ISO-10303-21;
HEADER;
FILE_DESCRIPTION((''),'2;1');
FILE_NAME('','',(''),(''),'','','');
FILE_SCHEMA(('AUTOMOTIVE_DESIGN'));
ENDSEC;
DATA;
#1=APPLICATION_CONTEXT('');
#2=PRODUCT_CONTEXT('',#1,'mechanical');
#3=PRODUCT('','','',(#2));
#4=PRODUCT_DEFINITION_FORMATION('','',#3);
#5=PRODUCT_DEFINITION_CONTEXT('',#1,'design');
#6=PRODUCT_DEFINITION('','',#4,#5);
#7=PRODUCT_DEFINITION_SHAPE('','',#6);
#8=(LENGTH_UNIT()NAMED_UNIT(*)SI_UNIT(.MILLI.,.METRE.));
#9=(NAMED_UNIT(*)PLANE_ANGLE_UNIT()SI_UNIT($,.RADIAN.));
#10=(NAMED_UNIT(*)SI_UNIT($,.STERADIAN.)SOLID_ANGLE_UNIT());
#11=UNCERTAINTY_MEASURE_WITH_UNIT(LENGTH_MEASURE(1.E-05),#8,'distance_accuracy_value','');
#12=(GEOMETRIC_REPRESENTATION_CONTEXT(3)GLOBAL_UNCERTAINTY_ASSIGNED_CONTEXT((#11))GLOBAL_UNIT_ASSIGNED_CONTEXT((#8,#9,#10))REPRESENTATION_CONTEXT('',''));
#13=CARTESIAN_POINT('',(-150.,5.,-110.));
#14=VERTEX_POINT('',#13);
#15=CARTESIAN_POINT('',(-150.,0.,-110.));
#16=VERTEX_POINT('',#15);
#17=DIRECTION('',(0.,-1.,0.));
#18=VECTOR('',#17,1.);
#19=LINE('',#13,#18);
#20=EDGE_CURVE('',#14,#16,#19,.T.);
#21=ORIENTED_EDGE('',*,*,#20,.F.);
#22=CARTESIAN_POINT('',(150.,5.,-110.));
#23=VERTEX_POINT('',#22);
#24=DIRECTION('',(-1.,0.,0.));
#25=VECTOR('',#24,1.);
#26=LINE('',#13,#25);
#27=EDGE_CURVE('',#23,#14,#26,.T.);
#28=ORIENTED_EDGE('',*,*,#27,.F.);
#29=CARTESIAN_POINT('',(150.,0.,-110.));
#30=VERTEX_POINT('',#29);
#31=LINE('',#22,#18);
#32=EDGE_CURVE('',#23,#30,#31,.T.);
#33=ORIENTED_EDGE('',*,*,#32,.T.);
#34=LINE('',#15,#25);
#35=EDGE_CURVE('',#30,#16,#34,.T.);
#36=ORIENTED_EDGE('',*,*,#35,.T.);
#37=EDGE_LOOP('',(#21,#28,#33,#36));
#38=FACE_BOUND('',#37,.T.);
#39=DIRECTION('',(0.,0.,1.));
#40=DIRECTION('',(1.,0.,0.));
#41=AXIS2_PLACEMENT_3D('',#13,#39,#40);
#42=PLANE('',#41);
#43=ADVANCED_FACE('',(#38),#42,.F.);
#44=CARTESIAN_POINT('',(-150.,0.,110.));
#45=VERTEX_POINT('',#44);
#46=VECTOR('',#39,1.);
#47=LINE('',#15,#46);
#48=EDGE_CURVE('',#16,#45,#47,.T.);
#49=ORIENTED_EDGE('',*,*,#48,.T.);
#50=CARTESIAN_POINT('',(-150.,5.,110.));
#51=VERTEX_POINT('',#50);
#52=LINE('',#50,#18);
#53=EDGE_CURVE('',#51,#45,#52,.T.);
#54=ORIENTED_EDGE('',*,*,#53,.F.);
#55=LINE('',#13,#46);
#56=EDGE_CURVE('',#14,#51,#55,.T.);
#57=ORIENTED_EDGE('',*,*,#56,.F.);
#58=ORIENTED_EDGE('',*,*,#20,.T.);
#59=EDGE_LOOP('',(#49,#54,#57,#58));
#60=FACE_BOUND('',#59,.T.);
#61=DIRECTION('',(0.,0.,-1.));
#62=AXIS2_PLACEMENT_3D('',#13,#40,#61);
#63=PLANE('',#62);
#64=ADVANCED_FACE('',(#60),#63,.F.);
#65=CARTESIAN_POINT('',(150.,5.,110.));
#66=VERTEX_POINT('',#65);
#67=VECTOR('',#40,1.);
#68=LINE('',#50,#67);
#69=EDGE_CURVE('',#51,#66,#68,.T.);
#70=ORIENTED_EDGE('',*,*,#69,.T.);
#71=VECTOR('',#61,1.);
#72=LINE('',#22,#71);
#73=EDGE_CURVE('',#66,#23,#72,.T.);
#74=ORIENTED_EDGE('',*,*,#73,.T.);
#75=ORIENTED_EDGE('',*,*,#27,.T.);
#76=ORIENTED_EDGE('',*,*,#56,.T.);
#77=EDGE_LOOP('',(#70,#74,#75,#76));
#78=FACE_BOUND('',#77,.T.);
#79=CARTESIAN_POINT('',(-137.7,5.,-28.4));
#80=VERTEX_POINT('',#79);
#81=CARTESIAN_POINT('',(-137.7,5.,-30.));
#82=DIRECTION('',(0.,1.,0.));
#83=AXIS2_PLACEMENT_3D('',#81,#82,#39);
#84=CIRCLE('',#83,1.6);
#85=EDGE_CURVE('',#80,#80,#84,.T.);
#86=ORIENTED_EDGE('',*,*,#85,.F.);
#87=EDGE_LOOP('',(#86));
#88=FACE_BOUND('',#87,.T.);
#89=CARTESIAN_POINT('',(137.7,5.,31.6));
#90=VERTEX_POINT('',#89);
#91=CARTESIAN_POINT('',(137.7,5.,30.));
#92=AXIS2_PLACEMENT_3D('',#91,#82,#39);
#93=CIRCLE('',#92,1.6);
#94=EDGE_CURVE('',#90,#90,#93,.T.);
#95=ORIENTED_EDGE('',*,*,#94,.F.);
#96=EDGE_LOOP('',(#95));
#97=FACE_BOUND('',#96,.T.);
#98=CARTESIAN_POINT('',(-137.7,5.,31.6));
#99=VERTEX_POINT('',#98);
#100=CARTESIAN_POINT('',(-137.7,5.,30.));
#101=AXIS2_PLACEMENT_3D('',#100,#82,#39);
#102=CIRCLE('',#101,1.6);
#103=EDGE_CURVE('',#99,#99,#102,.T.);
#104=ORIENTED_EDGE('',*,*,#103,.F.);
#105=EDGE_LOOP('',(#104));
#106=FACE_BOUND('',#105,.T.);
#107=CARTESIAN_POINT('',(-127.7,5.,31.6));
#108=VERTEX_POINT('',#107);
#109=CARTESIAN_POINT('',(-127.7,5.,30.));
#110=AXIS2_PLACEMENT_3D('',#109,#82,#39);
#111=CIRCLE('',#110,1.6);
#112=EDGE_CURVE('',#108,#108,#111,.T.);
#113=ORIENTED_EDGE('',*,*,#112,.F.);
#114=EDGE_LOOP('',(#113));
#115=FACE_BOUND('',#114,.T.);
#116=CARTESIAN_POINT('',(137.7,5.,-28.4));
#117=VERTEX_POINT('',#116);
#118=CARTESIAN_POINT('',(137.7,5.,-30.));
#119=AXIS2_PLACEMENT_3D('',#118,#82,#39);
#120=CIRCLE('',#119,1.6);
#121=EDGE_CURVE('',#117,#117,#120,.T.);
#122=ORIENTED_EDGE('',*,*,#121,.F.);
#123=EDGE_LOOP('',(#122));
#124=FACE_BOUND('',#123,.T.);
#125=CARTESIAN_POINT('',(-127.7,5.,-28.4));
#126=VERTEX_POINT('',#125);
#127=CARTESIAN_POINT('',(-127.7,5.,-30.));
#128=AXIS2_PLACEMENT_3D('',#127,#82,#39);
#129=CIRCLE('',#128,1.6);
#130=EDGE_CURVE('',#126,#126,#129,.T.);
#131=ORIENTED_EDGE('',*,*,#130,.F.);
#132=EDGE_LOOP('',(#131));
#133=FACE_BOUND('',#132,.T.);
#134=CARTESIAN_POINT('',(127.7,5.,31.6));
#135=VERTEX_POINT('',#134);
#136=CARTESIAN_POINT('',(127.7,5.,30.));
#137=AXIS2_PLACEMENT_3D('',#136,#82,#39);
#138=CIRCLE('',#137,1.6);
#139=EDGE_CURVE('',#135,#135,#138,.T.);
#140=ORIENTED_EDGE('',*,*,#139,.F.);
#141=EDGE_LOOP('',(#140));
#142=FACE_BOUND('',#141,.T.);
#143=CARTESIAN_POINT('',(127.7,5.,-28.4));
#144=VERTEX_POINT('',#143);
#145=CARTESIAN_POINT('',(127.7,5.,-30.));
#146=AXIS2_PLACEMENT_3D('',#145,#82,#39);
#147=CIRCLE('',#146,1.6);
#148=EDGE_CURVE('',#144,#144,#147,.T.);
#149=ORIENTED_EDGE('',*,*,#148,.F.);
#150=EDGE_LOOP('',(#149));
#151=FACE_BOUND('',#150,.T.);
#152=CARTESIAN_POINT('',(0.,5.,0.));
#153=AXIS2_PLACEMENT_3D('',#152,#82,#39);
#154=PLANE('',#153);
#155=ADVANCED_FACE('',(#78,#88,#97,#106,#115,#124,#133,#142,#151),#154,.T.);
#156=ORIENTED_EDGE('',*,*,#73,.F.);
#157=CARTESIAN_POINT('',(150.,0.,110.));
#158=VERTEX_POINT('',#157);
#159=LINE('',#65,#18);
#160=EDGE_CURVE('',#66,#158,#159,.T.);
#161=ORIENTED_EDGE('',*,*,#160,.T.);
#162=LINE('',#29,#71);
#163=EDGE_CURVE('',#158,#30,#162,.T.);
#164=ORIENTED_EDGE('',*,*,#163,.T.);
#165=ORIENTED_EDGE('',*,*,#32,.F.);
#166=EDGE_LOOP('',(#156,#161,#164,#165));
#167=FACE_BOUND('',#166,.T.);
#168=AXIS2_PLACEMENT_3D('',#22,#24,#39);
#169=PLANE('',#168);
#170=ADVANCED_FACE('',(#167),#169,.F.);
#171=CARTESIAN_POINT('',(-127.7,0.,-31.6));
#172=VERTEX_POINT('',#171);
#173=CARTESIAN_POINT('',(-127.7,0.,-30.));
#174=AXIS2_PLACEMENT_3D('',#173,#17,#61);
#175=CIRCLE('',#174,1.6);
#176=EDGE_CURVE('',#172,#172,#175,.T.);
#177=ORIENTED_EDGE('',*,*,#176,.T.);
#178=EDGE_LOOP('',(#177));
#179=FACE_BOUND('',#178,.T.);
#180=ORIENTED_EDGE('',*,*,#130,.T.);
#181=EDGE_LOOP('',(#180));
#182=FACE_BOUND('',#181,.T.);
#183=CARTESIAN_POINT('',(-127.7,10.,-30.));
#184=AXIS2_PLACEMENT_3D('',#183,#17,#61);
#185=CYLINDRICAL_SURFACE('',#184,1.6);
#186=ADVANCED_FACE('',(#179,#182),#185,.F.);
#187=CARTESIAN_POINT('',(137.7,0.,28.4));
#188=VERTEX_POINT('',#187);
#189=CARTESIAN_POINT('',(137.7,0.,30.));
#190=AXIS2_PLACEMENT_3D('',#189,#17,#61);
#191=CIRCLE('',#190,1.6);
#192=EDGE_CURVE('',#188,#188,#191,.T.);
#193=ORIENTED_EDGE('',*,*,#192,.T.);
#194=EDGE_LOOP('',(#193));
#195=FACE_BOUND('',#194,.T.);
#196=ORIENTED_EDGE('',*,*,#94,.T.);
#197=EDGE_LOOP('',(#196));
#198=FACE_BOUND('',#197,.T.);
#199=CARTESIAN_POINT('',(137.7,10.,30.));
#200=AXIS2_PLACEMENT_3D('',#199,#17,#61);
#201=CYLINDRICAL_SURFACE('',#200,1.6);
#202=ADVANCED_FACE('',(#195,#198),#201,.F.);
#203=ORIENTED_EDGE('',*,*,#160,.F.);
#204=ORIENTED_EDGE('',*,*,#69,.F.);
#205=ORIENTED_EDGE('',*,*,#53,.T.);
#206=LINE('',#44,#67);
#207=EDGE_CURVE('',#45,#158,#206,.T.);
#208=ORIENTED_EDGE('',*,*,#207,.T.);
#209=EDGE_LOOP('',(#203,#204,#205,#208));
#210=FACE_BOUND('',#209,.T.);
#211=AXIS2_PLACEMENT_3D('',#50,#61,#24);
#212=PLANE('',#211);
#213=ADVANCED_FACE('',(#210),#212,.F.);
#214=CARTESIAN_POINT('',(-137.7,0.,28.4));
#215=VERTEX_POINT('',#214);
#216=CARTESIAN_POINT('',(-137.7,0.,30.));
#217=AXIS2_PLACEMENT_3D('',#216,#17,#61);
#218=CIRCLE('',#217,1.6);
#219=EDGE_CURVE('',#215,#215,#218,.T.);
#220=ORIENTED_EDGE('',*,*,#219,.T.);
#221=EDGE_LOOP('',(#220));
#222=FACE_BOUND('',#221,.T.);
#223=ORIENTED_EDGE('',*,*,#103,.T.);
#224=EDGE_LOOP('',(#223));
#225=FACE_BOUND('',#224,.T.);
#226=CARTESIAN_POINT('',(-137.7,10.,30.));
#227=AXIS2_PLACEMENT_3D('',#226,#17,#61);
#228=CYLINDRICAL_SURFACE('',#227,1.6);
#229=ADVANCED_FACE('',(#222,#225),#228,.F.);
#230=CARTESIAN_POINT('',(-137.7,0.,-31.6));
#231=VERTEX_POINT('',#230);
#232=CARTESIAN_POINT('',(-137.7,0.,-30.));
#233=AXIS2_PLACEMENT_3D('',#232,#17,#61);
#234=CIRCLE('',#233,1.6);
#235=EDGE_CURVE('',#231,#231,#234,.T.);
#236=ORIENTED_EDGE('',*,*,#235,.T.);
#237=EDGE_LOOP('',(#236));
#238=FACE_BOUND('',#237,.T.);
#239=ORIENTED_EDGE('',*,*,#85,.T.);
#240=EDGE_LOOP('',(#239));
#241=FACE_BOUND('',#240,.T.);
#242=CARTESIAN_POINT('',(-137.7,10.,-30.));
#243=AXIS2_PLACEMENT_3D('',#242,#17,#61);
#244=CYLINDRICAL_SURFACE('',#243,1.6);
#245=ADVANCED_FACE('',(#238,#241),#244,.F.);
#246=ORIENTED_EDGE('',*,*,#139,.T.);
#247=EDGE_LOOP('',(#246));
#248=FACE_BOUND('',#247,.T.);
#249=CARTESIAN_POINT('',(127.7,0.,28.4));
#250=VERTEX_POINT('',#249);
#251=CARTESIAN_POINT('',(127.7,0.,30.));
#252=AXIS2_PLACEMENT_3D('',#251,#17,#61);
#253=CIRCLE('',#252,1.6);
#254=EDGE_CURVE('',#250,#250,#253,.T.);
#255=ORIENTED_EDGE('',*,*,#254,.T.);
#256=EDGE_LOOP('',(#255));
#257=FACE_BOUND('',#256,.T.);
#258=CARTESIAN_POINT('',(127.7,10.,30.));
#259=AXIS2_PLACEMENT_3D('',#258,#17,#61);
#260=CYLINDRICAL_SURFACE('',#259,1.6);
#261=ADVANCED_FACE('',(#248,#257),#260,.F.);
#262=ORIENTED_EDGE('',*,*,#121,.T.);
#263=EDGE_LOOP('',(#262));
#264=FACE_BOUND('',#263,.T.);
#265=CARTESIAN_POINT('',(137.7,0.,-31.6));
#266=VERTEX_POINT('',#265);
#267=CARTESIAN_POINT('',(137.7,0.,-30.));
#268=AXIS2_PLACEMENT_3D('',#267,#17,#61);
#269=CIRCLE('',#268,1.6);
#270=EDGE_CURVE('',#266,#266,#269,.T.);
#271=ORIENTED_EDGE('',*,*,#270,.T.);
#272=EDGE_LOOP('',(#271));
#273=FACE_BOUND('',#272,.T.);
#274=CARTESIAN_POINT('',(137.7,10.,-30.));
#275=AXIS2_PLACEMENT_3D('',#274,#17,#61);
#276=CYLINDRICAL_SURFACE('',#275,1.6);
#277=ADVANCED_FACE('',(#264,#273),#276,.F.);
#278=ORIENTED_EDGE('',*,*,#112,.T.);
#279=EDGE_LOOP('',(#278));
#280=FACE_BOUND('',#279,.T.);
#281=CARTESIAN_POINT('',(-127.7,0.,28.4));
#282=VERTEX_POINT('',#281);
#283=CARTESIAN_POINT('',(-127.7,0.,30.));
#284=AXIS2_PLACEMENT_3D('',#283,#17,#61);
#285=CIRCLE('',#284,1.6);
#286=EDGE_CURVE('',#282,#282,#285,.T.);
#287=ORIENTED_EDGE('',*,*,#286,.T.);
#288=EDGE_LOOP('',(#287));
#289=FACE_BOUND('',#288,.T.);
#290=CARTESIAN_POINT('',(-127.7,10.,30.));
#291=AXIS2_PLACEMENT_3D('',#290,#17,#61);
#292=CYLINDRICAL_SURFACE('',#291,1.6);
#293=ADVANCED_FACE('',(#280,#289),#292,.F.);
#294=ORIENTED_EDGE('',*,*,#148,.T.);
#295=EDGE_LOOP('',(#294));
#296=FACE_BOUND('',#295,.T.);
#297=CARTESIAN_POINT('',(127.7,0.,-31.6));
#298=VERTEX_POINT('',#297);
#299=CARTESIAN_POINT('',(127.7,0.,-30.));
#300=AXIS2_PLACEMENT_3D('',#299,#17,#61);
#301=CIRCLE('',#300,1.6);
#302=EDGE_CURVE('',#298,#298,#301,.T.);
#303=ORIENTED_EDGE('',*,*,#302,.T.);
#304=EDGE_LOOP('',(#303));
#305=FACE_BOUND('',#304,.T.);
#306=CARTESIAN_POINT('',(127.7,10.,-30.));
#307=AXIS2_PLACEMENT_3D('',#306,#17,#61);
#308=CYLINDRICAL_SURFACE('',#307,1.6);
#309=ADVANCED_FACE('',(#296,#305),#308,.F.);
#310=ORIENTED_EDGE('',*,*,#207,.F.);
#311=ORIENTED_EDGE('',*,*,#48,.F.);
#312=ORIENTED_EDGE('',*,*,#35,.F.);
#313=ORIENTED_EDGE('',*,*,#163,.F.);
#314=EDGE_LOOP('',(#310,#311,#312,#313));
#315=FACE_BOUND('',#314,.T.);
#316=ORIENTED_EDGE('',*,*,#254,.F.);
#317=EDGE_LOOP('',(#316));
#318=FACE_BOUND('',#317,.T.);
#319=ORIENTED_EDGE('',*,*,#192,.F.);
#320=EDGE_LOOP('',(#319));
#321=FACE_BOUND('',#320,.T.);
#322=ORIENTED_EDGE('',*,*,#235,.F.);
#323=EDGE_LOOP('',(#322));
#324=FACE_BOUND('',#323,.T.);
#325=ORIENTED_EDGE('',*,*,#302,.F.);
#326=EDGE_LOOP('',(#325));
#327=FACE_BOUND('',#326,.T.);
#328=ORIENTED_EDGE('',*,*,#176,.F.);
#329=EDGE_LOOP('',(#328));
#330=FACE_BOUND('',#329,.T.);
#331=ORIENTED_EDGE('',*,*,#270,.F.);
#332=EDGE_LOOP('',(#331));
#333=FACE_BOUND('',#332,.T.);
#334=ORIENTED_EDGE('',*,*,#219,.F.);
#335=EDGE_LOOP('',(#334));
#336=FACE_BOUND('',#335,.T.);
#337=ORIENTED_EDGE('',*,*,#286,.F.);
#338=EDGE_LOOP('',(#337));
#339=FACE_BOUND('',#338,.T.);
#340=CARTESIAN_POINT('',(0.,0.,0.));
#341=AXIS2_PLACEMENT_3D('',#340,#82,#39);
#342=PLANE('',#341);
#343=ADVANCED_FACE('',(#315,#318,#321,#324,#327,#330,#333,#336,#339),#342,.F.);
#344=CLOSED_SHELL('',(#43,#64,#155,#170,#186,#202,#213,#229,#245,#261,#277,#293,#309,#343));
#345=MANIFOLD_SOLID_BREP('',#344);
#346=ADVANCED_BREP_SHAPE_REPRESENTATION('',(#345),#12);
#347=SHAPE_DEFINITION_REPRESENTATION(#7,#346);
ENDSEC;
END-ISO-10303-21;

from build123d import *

# Parameters (mm, degrees)
SKETCH1_W           = 300
SKETCH1_H           = 220
BOSS_EXTRUDE1_DEPTH = 5
SKETCH2_R           = 1.6
CUT_EXTRUDE1_DEPTH  = 10


with BuildPart() as part:
    # Sketch1 → Boss-Extrude1 (new body)
    with BuildSketch(Plane(origin=(0, 0, 0), x_dir=(1, 0, 0), z_dir=(0, 1, 0))):
        Rectangle(SKETCH1_W, SKETCH1_H)
    extrude(amount=BOSS_EXTRUDE1_DEPTH)

    # Sketch2 → Cut-Extrude1 (cut)
    with BuildSketch(Plane.XZ):
        with Locations(Location((-137.7, -30, 0), (0, 0, 270))):
            Circle(SKETCH2_R)
        with Locations(Location((-127.7, -30, 0), (0, 0, 270))):
            Circle(SKETCH2_R)
        with Locations(Location((-137.7, 30, 0), (0, 0, 270))):
            Circle(SKETCH2_R)
        with Locations(Location((-127.7, 30, 0), (0, 0, 270))):
            Circle(SKETCH2_R)
        with Locations(Location((137.7, 30, 0), (0, 0, 270))):
            Circle(SKETCH2_R)
        with Locations(Location((137.7, -30, 0), (0, 0, 270))):
            Circle(SKETCH2_R)
        with Locations(Location((127.7, -30, 0), (0, 0, 270))):
            Circle(SKETCH2_R)
        with Locations(Location((127.7, 30, 0), (0, 0, 270))):
            Circle(SKETCH2_R)
    extrude(amount=-CUT_EXTRUDE1_DEPTH, mode=Mode.SUBTRACT)


solid = part.part
